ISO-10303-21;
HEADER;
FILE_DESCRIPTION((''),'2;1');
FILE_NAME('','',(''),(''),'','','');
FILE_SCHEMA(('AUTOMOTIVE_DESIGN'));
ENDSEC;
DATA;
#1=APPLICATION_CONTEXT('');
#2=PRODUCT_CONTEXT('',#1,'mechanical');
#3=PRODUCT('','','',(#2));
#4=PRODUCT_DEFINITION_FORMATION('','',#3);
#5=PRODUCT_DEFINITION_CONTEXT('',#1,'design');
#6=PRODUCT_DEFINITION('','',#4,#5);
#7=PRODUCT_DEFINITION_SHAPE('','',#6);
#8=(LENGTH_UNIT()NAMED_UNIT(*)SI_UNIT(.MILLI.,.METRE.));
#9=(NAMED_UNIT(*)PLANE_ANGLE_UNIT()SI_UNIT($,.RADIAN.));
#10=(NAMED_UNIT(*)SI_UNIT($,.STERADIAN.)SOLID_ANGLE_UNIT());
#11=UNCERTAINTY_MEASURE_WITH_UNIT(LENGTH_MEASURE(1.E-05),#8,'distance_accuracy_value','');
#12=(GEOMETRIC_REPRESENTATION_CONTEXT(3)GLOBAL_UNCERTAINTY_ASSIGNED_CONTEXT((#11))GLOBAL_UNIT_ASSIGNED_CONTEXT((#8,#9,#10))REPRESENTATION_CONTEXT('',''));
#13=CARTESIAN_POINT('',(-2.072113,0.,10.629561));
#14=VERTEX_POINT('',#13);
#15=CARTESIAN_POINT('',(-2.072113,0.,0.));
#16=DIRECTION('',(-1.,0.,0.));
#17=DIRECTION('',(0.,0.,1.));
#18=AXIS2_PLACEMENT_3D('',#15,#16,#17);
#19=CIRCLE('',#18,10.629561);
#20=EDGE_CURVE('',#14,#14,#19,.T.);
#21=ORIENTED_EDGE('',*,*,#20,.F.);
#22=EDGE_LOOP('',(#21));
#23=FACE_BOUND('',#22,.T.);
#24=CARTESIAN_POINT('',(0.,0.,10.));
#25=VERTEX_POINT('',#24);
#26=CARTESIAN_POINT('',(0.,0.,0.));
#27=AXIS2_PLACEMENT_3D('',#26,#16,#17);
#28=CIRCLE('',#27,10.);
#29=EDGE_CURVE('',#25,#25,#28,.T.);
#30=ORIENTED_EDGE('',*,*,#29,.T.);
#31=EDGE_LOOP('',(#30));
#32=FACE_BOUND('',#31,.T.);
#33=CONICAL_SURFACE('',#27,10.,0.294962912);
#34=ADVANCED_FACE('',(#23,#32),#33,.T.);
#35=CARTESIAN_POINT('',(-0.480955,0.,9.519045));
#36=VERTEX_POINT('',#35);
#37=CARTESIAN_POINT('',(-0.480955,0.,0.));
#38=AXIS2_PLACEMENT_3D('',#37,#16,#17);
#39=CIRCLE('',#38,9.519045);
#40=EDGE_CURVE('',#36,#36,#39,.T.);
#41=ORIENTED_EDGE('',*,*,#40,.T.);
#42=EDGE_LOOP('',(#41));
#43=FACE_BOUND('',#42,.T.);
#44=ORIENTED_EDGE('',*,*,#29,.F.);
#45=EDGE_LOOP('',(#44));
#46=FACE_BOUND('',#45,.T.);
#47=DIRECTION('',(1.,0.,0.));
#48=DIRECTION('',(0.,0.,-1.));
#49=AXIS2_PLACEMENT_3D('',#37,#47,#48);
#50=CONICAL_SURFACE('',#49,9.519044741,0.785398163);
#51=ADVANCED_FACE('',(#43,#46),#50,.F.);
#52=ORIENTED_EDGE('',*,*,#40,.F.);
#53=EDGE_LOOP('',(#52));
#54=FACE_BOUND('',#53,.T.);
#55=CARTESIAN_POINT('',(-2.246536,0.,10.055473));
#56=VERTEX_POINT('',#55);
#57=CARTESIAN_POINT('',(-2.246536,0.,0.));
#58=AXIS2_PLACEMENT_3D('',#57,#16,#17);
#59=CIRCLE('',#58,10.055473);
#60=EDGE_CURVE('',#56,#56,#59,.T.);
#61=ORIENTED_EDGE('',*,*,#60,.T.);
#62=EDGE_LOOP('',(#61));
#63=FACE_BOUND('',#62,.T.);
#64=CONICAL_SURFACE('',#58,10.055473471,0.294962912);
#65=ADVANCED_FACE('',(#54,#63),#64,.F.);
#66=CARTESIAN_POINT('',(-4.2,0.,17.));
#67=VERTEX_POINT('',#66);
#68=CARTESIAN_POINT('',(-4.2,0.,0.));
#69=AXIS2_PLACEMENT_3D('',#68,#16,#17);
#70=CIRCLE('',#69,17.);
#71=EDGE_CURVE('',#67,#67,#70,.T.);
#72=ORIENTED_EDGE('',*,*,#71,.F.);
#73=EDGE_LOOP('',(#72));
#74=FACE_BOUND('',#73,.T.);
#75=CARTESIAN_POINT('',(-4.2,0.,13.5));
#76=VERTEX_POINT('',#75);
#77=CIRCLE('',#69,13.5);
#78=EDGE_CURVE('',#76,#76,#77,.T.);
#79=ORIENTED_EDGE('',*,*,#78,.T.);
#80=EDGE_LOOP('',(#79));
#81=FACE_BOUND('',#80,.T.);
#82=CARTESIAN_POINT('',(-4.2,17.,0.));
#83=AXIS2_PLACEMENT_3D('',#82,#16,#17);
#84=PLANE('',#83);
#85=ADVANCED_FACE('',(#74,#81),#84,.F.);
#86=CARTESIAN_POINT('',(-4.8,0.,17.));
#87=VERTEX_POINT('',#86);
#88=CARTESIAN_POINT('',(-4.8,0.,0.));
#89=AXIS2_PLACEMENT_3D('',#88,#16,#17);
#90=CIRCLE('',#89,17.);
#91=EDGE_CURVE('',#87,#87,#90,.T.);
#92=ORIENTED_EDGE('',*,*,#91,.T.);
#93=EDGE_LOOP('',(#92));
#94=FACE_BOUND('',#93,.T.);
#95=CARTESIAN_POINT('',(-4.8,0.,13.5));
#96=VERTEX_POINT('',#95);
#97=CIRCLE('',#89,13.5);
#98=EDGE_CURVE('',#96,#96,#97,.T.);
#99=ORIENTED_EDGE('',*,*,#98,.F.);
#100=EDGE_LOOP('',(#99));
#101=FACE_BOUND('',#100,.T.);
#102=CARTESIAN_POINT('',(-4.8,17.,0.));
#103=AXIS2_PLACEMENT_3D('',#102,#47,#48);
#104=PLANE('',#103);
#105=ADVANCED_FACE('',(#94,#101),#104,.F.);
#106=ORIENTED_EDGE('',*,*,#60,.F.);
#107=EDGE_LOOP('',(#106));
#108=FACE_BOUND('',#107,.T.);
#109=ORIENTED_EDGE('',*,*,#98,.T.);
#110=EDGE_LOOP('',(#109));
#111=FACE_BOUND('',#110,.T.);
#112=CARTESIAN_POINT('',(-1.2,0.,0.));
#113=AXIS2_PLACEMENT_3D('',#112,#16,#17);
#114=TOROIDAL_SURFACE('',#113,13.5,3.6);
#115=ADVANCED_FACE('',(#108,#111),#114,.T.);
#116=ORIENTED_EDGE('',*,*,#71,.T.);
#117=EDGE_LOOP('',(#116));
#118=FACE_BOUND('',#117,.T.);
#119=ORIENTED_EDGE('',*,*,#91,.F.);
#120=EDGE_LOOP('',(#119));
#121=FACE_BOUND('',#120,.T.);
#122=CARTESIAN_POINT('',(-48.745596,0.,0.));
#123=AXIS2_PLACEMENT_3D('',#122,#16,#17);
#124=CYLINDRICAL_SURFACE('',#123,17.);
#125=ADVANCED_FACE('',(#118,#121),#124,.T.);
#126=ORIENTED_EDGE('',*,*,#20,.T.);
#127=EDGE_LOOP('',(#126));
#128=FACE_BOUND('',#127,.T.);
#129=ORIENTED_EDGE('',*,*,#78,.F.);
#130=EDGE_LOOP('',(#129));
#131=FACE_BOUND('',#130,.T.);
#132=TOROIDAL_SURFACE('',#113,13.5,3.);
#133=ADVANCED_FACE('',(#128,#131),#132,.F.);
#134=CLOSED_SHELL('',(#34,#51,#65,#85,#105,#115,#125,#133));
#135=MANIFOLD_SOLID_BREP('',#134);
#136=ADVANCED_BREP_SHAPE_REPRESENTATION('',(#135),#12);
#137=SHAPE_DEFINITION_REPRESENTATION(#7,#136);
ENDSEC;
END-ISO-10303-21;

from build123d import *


with BuildPart() as part:
    # 草图1 → 旋转1 (revolve)
    with BuildSketch(Plane.XY, mode=Mode.PRIVATE) as revolve_1_sk:
        with BuildLine():
            Line((-4.2, 17), (-4.2, 13.5))
            ThreePointArc((-4.2, 13.5), (-3.610014447, 11.71343056), (-2.072113091, 10.629561226))
            Line((-2.072113091, 10.629561226), (0, 10))
            Line((0, 10), (-0.480955259, 9.519044741))
            Line((-0.480955259, 9.519044741), (-2.246535709, 10.055473471))
            ThreePointArc((-2.246535709, 10.055473471), (-4.092017337, 11.356116672), (-4.8, 13.5))
            Line((-4.8, 13.5), (-4.8, 17))
            Line((-4.8, 17), (-4.2, 17))
        make_face()
    revolve(revolve_1_sk.sketch.rotate(Axis((-48.745596361, 0, 0), (1, 0, 0)), 90), axis=Axis((-48.745596361, 0, 0), (1, 0, 0)))


solid = part.part
